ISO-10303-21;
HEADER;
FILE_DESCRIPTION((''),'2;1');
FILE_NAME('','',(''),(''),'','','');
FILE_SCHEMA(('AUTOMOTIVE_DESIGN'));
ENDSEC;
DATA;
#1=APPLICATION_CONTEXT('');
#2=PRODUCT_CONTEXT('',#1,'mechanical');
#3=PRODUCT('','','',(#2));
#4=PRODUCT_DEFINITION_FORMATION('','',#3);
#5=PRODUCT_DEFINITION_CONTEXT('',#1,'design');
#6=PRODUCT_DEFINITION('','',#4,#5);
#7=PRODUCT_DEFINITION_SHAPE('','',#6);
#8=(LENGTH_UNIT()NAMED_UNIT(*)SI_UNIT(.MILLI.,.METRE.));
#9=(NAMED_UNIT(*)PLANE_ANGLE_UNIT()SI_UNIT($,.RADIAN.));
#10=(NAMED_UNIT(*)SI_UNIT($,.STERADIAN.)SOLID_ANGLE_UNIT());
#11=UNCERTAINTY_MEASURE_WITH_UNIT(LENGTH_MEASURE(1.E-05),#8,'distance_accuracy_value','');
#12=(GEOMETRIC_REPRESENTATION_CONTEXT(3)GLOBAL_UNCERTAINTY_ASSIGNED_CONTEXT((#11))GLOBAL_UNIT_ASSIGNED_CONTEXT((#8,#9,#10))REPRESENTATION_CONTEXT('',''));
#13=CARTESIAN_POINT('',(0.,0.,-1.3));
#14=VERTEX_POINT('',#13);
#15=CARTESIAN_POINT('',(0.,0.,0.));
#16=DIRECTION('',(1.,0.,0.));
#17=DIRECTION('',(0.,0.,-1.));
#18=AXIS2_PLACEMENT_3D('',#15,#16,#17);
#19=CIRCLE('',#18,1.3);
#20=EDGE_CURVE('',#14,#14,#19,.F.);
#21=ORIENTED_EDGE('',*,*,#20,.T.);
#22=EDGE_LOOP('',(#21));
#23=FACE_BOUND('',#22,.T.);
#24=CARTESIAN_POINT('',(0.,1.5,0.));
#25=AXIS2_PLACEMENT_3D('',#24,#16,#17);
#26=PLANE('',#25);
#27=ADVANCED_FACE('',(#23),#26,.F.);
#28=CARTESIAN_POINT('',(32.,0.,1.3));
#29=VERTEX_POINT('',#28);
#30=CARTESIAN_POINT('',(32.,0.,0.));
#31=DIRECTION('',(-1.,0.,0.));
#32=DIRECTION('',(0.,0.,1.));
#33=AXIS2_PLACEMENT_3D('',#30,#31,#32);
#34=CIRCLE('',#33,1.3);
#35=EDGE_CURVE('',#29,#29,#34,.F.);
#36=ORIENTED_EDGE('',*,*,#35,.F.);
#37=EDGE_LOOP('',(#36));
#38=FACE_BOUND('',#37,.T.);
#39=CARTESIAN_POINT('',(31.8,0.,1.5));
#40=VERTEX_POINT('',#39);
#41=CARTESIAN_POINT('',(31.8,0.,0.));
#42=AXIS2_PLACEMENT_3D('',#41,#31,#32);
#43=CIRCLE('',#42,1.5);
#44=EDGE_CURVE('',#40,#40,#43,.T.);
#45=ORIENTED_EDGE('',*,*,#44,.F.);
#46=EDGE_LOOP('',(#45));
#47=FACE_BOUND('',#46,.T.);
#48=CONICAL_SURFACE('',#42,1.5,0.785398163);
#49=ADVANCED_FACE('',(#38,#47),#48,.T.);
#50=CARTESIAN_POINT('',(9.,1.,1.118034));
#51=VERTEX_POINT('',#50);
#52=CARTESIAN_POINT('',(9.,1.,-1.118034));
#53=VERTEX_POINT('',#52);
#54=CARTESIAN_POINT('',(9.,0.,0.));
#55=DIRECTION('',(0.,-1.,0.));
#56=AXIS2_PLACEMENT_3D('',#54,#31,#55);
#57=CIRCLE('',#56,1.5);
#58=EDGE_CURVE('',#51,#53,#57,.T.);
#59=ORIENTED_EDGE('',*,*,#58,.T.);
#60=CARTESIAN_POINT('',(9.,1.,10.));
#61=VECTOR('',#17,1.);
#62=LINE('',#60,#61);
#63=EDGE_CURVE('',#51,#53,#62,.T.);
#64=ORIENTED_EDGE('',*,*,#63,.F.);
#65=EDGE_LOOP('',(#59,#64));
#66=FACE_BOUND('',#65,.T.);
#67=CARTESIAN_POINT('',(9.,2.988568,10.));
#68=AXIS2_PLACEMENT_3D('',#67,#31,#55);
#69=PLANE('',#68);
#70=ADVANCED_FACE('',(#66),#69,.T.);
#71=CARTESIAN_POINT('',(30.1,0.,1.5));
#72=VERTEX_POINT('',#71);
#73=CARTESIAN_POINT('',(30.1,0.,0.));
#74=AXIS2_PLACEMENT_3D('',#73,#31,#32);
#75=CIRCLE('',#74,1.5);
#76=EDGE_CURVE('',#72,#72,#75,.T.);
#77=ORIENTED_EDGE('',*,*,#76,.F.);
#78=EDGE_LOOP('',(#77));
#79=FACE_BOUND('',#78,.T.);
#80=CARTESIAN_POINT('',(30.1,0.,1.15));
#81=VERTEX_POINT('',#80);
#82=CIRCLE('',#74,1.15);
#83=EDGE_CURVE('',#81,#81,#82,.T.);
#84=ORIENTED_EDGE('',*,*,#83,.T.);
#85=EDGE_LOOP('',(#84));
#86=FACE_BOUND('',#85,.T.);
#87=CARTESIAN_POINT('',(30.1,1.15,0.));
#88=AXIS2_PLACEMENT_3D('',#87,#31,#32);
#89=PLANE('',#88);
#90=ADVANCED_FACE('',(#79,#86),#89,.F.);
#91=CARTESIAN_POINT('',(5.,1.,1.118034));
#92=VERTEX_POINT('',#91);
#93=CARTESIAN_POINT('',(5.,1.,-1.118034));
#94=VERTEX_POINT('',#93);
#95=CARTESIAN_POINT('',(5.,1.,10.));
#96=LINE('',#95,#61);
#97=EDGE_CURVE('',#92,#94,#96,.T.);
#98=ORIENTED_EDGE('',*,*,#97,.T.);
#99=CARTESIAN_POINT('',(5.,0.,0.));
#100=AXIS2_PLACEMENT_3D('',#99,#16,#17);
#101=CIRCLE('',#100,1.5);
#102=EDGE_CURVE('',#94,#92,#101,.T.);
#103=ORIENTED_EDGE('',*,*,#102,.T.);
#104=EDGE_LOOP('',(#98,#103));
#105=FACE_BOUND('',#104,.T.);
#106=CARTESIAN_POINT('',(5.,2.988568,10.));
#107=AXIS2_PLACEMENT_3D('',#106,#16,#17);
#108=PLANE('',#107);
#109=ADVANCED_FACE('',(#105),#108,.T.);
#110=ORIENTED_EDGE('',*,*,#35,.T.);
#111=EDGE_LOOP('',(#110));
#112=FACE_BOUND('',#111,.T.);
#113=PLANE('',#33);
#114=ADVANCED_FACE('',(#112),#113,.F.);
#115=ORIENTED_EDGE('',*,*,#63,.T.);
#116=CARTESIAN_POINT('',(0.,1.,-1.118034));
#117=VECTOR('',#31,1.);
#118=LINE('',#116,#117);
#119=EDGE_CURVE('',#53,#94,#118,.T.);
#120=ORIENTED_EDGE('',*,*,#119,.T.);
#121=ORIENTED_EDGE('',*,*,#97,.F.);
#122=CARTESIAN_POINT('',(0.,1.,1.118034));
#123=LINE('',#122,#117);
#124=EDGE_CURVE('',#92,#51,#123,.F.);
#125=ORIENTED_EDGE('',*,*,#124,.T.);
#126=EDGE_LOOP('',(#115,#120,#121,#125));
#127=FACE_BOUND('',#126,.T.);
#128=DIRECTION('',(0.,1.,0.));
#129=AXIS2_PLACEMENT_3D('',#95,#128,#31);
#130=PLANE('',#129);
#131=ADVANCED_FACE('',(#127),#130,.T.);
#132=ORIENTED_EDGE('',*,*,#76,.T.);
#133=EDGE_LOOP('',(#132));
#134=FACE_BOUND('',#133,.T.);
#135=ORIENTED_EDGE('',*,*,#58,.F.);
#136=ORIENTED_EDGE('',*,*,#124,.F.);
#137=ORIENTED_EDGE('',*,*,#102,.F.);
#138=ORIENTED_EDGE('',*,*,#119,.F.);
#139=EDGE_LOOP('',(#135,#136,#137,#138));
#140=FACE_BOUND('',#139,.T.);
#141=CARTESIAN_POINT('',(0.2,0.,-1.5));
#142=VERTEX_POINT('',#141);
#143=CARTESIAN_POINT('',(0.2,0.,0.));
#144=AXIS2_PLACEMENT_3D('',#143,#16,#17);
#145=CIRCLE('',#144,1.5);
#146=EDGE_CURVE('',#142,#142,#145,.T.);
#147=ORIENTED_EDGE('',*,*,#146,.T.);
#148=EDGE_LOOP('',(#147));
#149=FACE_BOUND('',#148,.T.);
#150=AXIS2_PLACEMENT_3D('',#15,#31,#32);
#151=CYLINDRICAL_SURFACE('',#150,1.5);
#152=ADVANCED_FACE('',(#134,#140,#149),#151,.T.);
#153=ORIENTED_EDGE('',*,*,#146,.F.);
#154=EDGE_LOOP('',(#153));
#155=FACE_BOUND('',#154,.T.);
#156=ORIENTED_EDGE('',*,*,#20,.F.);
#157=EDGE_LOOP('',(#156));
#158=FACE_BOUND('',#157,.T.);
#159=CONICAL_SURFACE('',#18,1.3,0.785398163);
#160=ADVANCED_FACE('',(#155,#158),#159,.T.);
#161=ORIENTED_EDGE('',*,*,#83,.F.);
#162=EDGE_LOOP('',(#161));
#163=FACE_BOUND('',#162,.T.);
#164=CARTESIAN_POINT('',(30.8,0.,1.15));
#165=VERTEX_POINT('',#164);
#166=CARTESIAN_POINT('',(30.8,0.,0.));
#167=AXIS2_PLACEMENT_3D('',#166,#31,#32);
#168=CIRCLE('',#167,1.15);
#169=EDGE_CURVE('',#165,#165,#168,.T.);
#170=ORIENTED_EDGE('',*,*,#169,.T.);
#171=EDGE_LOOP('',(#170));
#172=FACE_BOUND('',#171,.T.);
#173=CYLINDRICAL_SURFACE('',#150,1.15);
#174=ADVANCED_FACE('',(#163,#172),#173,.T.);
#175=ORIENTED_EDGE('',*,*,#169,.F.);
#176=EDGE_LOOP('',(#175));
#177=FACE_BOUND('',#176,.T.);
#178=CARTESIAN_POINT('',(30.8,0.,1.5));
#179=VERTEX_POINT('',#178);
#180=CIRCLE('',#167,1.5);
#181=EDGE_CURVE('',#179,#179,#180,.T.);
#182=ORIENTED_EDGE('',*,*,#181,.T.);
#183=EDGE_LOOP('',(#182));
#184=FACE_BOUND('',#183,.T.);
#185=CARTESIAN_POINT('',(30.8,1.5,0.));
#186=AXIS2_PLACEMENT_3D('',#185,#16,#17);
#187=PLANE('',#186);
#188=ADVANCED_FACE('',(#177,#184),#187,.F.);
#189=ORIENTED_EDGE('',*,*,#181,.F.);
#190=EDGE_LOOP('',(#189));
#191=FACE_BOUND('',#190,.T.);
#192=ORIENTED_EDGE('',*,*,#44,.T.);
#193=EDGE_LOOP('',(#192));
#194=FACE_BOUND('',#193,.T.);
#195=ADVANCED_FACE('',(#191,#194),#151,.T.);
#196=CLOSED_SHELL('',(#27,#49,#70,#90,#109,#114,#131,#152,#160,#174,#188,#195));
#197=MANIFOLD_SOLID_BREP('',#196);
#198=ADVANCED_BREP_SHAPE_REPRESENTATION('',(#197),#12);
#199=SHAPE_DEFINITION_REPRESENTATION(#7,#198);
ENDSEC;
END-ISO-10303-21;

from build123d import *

# Parameters (mm, degrees)
CHANFREIN1_SIZE       = 0.2
EXTRUSION1_DEPTH      = 10
EXTRUSION1_DEPTH_BACK = 10
ESQUISSE2_W           = 4
ESQUISSE2_H           = 1.988568473


with BuildPart() as part:
    # Esquisse1 → Révolution1 (revolve)
    with BuildSketch(Plane.XY):
        Polygon((32, 0), (32, 1.5), (30.8, 1.5), (30.8, 1.15), (30.1, 1.15), (30.1, 1.5), (0, 1.5), (0, 0), align=None)
    revolve(axis=Axis((0, 0, 0), (1, 0, 0)))

    # Chanfrein1
    chanfrein1_edges = [part.edges().sort_by_distance(p)[0] for p in [
        (32, -1.5, 0),
        (0, -1.5, 0),
    ]]
    chamfer(chanfrein1_edges, length=CHANFREIN1_SIZE)

    # Esquisse2 → Extrusion1 (cut, two sides: drawn at the far end of the back side and taken through both)
    with BuildSketch(Plane.XY.offset(-EXTRUSION1_DEPTH_BACK)):
        with Locations((7, 1.994284237)):
            Rectangle(ESQUISSE2_W, ESQUISSE2_H)
    extrude(amount=EXTRUSION1_DEPTH + EXTRUSION1_DEPTH_BACK, mode=Mode.SUBTRACT)


solid = part.part
